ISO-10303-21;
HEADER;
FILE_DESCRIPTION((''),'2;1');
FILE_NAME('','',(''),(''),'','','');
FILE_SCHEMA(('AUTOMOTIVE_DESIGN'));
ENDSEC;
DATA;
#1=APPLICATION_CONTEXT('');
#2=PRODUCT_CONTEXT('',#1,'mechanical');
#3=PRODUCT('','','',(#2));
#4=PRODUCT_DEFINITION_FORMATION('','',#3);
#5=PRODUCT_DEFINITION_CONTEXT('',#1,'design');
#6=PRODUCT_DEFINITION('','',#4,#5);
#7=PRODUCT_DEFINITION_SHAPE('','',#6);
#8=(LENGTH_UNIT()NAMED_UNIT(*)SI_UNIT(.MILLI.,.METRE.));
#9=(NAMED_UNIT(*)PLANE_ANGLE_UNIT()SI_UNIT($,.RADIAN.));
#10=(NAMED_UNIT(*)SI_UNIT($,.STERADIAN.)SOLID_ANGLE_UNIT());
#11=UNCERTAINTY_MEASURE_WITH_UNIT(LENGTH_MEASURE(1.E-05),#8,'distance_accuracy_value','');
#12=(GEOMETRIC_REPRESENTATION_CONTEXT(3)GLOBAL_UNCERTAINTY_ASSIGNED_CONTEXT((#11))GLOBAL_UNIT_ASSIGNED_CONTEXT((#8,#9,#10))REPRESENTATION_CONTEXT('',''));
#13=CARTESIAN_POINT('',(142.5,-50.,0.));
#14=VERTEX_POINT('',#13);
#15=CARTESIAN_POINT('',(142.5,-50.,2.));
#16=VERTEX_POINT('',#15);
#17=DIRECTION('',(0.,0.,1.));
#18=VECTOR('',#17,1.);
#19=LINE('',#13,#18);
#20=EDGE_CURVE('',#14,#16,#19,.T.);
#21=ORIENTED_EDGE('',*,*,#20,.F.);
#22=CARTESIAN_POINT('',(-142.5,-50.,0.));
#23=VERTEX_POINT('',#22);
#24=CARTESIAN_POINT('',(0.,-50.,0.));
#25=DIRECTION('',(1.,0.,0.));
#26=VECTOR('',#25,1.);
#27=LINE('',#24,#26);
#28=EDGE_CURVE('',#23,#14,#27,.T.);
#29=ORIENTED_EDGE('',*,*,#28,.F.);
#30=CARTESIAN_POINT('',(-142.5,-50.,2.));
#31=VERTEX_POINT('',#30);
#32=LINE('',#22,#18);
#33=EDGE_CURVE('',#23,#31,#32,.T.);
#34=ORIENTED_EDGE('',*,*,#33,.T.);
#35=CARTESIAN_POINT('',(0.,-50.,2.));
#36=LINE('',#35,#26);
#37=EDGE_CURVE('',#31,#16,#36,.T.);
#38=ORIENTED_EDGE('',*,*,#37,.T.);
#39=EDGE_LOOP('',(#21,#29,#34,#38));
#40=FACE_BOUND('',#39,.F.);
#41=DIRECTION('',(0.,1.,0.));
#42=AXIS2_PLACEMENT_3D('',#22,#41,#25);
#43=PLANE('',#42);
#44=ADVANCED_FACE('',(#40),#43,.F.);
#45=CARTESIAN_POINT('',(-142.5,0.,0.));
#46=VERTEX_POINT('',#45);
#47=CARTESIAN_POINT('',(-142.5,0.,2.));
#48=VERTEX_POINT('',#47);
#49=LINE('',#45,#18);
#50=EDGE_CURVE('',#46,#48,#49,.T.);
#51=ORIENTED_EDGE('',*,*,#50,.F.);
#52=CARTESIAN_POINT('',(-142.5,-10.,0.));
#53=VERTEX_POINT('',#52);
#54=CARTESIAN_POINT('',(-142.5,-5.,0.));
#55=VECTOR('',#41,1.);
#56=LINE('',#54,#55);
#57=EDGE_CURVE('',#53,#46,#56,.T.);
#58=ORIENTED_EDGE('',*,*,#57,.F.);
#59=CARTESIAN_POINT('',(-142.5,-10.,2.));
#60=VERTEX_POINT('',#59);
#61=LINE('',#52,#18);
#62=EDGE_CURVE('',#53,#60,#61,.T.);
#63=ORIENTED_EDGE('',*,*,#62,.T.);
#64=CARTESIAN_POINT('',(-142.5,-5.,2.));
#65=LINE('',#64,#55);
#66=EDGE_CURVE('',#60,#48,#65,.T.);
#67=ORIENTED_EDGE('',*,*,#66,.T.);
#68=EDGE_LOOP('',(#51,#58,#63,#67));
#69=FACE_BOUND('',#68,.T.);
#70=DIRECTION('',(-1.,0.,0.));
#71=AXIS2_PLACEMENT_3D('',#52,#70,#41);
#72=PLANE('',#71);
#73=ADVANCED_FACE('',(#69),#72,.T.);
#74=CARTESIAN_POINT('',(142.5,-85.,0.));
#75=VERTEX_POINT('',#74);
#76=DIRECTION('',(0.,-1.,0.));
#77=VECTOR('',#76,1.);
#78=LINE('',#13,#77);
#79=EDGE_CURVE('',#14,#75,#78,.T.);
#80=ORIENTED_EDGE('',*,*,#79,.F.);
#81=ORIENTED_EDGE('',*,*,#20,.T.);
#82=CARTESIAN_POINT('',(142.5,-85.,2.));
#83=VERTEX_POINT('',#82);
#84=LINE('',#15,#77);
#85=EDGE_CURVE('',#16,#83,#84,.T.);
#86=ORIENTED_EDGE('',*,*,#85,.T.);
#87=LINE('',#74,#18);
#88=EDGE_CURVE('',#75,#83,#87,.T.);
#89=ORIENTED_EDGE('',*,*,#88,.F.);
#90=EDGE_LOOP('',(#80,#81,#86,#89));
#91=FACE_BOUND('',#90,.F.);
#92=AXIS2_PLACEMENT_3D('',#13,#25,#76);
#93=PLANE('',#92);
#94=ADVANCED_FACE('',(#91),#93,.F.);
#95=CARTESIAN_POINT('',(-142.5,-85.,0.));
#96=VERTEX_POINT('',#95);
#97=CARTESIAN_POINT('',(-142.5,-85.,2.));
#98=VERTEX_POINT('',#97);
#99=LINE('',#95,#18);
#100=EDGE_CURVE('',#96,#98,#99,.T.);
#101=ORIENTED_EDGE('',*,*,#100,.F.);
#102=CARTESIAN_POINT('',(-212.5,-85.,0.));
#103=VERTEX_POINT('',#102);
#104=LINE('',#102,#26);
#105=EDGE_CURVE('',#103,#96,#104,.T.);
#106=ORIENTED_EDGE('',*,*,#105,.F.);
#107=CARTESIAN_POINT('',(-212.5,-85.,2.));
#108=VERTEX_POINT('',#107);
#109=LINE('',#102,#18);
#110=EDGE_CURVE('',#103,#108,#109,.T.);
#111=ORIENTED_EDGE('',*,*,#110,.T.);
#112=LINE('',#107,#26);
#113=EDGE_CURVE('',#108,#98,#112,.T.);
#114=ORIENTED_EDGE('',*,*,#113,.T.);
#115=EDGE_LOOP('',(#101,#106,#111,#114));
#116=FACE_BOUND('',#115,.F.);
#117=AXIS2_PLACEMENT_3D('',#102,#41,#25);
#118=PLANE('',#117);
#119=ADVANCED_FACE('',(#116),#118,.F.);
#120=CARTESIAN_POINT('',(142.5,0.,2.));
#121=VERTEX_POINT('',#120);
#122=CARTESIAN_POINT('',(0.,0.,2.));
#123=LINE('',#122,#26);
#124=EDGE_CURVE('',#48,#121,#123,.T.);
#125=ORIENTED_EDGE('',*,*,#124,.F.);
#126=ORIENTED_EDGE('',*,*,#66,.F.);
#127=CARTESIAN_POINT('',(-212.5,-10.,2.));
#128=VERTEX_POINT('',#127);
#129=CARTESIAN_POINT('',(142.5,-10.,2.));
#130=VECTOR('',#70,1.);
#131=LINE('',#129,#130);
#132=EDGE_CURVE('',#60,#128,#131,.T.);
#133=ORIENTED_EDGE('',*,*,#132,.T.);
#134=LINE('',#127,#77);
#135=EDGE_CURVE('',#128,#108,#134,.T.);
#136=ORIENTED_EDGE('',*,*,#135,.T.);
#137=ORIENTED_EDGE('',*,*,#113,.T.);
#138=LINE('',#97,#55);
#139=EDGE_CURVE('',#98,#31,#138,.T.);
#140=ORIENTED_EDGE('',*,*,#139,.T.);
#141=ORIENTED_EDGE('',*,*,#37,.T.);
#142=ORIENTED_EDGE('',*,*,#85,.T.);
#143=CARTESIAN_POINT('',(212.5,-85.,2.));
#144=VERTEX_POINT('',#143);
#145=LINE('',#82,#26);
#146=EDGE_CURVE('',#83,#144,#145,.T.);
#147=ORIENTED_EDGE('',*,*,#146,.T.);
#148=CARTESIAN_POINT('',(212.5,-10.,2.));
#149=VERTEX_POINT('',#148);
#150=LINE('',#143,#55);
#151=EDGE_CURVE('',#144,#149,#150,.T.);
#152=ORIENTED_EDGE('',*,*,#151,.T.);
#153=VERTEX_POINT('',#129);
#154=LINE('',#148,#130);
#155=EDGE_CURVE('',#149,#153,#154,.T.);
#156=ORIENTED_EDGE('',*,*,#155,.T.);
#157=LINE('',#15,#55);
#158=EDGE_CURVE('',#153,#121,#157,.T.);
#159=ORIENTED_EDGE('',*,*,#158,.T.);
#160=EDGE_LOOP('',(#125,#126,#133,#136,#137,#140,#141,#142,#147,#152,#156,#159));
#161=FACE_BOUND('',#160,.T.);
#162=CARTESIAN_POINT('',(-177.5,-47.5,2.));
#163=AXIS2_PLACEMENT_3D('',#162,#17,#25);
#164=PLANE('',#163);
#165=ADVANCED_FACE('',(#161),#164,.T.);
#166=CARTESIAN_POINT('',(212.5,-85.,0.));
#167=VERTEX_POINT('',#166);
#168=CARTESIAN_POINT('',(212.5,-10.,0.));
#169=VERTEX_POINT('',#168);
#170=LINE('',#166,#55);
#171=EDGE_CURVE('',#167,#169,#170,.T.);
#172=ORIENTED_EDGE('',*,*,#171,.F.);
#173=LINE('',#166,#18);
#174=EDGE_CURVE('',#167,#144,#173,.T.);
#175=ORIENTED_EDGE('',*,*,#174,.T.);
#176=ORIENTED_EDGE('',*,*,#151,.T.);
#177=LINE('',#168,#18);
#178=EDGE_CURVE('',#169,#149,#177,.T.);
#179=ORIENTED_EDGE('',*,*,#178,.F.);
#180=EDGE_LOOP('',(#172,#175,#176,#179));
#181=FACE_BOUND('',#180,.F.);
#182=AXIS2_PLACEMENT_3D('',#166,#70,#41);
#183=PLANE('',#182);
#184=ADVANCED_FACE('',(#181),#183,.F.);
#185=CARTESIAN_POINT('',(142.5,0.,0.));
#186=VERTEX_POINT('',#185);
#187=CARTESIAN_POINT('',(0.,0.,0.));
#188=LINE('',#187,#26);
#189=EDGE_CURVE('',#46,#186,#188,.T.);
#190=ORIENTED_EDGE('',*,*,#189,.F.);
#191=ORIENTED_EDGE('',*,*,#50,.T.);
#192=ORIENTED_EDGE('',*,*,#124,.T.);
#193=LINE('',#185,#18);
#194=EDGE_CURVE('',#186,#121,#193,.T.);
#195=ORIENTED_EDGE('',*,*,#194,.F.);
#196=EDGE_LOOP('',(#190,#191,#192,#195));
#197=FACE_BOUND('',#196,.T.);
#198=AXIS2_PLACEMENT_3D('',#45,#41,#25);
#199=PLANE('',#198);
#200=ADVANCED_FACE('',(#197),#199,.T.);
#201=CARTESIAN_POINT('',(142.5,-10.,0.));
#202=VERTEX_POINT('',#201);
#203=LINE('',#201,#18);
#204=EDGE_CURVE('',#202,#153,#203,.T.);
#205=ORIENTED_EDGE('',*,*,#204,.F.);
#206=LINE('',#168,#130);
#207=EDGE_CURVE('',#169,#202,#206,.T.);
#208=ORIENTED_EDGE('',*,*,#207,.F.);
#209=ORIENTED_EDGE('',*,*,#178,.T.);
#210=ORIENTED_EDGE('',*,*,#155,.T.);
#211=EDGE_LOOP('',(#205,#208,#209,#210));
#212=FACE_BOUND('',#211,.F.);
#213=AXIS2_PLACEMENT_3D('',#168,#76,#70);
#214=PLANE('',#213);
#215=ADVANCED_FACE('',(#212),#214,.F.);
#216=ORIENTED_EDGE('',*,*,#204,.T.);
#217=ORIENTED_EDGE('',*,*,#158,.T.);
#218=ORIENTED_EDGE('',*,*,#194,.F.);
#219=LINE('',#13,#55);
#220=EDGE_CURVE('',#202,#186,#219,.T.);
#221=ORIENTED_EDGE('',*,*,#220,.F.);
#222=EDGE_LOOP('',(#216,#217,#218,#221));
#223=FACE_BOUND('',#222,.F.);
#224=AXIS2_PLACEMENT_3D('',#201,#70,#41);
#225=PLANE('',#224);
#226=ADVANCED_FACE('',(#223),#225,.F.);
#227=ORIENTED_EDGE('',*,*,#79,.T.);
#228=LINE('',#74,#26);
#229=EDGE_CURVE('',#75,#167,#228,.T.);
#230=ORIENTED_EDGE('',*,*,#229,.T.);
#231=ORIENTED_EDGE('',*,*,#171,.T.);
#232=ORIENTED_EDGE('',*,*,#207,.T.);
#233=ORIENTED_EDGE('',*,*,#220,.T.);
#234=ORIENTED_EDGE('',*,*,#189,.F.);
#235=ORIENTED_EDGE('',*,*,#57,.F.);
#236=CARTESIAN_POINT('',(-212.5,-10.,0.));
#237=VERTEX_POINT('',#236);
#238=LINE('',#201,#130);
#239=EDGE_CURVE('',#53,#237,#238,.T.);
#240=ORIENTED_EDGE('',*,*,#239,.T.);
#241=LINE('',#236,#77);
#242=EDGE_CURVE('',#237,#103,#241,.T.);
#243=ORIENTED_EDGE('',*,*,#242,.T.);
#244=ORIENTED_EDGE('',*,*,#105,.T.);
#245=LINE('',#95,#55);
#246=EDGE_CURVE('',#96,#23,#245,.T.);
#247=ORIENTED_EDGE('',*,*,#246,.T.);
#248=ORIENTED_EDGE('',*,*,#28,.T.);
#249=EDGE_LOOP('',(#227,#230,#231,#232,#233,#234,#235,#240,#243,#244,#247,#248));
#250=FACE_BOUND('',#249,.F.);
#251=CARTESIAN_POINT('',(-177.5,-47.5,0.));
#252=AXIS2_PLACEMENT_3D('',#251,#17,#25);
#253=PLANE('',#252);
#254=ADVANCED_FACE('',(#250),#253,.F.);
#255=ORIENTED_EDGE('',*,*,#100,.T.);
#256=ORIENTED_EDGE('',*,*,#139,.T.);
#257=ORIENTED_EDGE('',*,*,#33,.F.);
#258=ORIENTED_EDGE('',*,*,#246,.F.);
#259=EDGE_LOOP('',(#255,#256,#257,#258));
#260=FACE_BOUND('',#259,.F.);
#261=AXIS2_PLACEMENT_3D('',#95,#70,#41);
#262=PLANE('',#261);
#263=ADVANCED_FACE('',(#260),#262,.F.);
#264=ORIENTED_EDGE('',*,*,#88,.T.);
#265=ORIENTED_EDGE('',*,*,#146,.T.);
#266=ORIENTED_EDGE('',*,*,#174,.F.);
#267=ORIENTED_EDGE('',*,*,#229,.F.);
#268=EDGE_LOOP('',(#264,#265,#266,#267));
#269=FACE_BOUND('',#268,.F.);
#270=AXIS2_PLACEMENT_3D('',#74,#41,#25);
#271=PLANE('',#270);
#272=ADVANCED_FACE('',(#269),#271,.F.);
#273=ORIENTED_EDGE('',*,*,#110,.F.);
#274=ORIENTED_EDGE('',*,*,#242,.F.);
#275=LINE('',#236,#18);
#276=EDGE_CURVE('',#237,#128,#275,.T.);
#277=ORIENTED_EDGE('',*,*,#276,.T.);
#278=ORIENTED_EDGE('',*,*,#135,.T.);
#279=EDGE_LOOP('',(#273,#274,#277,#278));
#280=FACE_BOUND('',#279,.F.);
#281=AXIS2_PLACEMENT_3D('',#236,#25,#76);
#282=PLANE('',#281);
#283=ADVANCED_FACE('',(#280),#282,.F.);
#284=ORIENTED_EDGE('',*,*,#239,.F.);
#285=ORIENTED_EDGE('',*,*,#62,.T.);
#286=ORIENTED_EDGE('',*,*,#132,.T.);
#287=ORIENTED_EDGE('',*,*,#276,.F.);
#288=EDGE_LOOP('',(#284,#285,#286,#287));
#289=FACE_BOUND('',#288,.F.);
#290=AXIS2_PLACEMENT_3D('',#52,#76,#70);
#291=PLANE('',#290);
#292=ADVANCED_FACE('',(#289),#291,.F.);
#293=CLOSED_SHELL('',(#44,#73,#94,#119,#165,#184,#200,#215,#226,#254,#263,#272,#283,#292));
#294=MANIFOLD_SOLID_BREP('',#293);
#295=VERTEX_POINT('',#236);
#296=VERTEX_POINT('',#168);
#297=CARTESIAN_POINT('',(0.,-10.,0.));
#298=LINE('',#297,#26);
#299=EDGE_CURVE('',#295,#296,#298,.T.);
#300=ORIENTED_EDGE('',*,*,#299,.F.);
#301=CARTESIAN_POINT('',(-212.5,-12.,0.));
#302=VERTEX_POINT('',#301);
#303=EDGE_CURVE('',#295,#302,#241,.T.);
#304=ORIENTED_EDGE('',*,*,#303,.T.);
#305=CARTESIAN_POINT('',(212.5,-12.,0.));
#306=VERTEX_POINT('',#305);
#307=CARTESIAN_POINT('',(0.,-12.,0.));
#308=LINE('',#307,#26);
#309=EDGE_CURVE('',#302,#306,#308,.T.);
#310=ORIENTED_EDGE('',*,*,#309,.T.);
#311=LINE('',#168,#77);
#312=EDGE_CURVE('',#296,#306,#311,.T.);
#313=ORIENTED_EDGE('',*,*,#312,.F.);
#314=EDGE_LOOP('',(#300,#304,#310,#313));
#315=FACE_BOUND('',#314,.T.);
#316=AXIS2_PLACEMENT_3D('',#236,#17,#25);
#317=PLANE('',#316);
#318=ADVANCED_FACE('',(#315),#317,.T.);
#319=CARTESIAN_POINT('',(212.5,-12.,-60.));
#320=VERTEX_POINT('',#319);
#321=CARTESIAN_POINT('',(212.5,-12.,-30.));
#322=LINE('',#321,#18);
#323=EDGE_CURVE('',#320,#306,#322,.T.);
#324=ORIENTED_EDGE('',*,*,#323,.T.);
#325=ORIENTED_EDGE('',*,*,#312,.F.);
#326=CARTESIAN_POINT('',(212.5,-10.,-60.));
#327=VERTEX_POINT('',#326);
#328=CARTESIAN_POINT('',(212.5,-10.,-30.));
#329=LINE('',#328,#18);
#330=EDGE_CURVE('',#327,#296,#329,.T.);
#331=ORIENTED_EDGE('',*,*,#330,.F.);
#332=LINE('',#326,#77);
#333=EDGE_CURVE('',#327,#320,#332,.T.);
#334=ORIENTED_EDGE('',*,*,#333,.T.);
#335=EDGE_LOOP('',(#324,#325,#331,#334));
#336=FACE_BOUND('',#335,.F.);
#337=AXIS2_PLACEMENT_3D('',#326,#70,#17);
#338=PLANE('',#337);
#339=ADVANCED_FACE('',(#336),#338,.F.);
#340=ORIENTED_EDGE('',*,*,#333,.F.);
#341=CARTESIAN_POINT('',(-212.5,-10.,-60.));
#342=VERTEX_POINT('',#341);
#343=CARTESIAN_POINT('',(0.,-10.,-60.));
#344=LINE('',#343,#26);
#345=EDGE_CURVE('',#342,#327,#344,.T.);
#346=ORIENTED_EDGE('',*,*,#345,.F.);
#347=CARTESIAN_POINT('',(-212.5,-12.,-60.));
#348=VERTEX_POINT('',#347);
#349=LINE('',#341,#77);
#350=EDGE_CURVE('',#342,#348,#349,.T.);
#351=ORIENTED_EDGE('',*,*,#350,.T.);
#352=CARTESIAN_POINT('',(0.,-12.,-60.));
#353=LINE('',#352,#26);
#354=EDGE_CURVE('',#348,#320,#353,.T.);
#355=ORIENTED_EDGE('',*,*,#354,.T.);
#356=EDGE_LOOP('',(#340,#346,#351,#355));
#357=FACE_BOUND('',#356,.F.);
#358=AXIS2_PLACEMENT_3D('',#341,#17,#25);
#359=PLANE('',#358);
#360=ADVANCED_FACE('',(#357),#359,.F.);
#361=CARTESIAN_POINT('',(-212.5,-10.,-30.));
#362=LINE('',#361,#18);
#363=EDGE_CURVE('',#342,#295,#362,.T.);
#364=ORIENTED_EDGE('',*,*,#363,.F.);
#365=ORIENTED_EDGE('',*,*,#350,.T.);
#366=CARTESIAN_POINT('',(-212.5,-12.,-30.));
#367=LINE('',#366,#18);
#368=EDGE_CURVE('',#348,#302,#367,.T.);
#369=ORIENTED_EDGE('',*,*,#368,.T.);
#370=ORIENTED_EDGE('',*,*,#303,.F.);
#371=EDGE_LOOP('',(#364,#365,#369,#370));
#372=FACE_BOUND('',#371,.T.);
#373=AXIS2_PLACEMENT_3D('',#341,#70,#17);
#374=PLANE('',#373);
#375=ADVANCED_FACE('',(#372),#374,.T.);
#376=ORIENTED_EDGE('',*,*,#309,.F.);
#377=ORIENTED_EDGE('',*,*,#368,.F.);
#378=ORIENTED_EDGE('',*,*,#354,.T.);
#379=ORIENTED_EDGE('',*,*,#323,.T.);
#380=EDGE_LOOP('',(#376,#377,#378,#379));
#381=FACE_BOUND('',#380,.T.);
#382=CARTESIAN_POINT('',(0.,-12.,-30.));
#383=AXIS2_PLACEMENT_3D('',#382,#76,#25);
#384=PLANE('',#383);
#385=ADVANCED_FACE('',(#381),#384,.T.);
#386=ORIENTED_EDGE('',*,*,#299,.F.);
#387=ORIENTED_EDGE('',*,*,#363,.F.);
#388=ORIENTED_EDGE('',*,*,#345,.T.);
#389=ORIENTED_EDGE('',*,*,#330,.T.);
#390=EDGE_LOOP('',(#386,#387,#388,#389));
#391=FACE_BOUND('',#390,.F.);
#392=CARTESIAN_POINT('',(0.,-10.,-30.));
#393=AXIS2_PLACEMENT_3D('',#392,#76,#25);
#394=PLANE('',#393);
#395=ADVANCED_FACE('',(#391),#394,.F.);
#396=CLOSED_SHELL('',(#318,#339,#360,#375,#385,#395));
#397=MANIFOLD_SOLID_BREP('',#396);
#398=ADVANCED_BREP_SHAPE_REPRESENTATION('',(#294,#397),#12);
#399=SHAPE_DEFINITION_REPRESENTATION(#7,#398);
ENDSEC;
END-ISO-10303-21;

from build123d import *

# Parameters (mm, degrees)
F0_W     = 285
F0_H     = 40
F0_H_2   = 10
F1_DEPTH = 2
F3_W     = 425
F3_H     = 60
F4_DEPTH = 2


with BuildPart() as f1:
    # F0 (on Top) → F1 (new body)
    with BuildSketch(Plane.XY):
        Polygon((-142.5, -50), (-142.5, -10), (-212.5, -10), (-212.5, -85), (-142.5, -85), align=None)
        with Locations((0, -30)):
            Rectangle(F0_W, F0_H)
        with Locations((0, -5)):
            Rectangle(F0_W, F0_H_2)
        Polygon((212.5, -10), (142.5, -10), (142.5, -50), (142.5, -85), (212.5, -85), align=None)
    extrude(amount=F1_DEPTH)


with BuildPart() as f4:
    # F3 (on offset) → F4 (new body)
    with BuildSketch(Plane.XZ.offset(10)):
        with Locations((0, -30)):
            Rectangle(F3_W, F3_H)
    extrude(amount=F4_DEPTH)


solid = Compound([f1.part, f4.part])
